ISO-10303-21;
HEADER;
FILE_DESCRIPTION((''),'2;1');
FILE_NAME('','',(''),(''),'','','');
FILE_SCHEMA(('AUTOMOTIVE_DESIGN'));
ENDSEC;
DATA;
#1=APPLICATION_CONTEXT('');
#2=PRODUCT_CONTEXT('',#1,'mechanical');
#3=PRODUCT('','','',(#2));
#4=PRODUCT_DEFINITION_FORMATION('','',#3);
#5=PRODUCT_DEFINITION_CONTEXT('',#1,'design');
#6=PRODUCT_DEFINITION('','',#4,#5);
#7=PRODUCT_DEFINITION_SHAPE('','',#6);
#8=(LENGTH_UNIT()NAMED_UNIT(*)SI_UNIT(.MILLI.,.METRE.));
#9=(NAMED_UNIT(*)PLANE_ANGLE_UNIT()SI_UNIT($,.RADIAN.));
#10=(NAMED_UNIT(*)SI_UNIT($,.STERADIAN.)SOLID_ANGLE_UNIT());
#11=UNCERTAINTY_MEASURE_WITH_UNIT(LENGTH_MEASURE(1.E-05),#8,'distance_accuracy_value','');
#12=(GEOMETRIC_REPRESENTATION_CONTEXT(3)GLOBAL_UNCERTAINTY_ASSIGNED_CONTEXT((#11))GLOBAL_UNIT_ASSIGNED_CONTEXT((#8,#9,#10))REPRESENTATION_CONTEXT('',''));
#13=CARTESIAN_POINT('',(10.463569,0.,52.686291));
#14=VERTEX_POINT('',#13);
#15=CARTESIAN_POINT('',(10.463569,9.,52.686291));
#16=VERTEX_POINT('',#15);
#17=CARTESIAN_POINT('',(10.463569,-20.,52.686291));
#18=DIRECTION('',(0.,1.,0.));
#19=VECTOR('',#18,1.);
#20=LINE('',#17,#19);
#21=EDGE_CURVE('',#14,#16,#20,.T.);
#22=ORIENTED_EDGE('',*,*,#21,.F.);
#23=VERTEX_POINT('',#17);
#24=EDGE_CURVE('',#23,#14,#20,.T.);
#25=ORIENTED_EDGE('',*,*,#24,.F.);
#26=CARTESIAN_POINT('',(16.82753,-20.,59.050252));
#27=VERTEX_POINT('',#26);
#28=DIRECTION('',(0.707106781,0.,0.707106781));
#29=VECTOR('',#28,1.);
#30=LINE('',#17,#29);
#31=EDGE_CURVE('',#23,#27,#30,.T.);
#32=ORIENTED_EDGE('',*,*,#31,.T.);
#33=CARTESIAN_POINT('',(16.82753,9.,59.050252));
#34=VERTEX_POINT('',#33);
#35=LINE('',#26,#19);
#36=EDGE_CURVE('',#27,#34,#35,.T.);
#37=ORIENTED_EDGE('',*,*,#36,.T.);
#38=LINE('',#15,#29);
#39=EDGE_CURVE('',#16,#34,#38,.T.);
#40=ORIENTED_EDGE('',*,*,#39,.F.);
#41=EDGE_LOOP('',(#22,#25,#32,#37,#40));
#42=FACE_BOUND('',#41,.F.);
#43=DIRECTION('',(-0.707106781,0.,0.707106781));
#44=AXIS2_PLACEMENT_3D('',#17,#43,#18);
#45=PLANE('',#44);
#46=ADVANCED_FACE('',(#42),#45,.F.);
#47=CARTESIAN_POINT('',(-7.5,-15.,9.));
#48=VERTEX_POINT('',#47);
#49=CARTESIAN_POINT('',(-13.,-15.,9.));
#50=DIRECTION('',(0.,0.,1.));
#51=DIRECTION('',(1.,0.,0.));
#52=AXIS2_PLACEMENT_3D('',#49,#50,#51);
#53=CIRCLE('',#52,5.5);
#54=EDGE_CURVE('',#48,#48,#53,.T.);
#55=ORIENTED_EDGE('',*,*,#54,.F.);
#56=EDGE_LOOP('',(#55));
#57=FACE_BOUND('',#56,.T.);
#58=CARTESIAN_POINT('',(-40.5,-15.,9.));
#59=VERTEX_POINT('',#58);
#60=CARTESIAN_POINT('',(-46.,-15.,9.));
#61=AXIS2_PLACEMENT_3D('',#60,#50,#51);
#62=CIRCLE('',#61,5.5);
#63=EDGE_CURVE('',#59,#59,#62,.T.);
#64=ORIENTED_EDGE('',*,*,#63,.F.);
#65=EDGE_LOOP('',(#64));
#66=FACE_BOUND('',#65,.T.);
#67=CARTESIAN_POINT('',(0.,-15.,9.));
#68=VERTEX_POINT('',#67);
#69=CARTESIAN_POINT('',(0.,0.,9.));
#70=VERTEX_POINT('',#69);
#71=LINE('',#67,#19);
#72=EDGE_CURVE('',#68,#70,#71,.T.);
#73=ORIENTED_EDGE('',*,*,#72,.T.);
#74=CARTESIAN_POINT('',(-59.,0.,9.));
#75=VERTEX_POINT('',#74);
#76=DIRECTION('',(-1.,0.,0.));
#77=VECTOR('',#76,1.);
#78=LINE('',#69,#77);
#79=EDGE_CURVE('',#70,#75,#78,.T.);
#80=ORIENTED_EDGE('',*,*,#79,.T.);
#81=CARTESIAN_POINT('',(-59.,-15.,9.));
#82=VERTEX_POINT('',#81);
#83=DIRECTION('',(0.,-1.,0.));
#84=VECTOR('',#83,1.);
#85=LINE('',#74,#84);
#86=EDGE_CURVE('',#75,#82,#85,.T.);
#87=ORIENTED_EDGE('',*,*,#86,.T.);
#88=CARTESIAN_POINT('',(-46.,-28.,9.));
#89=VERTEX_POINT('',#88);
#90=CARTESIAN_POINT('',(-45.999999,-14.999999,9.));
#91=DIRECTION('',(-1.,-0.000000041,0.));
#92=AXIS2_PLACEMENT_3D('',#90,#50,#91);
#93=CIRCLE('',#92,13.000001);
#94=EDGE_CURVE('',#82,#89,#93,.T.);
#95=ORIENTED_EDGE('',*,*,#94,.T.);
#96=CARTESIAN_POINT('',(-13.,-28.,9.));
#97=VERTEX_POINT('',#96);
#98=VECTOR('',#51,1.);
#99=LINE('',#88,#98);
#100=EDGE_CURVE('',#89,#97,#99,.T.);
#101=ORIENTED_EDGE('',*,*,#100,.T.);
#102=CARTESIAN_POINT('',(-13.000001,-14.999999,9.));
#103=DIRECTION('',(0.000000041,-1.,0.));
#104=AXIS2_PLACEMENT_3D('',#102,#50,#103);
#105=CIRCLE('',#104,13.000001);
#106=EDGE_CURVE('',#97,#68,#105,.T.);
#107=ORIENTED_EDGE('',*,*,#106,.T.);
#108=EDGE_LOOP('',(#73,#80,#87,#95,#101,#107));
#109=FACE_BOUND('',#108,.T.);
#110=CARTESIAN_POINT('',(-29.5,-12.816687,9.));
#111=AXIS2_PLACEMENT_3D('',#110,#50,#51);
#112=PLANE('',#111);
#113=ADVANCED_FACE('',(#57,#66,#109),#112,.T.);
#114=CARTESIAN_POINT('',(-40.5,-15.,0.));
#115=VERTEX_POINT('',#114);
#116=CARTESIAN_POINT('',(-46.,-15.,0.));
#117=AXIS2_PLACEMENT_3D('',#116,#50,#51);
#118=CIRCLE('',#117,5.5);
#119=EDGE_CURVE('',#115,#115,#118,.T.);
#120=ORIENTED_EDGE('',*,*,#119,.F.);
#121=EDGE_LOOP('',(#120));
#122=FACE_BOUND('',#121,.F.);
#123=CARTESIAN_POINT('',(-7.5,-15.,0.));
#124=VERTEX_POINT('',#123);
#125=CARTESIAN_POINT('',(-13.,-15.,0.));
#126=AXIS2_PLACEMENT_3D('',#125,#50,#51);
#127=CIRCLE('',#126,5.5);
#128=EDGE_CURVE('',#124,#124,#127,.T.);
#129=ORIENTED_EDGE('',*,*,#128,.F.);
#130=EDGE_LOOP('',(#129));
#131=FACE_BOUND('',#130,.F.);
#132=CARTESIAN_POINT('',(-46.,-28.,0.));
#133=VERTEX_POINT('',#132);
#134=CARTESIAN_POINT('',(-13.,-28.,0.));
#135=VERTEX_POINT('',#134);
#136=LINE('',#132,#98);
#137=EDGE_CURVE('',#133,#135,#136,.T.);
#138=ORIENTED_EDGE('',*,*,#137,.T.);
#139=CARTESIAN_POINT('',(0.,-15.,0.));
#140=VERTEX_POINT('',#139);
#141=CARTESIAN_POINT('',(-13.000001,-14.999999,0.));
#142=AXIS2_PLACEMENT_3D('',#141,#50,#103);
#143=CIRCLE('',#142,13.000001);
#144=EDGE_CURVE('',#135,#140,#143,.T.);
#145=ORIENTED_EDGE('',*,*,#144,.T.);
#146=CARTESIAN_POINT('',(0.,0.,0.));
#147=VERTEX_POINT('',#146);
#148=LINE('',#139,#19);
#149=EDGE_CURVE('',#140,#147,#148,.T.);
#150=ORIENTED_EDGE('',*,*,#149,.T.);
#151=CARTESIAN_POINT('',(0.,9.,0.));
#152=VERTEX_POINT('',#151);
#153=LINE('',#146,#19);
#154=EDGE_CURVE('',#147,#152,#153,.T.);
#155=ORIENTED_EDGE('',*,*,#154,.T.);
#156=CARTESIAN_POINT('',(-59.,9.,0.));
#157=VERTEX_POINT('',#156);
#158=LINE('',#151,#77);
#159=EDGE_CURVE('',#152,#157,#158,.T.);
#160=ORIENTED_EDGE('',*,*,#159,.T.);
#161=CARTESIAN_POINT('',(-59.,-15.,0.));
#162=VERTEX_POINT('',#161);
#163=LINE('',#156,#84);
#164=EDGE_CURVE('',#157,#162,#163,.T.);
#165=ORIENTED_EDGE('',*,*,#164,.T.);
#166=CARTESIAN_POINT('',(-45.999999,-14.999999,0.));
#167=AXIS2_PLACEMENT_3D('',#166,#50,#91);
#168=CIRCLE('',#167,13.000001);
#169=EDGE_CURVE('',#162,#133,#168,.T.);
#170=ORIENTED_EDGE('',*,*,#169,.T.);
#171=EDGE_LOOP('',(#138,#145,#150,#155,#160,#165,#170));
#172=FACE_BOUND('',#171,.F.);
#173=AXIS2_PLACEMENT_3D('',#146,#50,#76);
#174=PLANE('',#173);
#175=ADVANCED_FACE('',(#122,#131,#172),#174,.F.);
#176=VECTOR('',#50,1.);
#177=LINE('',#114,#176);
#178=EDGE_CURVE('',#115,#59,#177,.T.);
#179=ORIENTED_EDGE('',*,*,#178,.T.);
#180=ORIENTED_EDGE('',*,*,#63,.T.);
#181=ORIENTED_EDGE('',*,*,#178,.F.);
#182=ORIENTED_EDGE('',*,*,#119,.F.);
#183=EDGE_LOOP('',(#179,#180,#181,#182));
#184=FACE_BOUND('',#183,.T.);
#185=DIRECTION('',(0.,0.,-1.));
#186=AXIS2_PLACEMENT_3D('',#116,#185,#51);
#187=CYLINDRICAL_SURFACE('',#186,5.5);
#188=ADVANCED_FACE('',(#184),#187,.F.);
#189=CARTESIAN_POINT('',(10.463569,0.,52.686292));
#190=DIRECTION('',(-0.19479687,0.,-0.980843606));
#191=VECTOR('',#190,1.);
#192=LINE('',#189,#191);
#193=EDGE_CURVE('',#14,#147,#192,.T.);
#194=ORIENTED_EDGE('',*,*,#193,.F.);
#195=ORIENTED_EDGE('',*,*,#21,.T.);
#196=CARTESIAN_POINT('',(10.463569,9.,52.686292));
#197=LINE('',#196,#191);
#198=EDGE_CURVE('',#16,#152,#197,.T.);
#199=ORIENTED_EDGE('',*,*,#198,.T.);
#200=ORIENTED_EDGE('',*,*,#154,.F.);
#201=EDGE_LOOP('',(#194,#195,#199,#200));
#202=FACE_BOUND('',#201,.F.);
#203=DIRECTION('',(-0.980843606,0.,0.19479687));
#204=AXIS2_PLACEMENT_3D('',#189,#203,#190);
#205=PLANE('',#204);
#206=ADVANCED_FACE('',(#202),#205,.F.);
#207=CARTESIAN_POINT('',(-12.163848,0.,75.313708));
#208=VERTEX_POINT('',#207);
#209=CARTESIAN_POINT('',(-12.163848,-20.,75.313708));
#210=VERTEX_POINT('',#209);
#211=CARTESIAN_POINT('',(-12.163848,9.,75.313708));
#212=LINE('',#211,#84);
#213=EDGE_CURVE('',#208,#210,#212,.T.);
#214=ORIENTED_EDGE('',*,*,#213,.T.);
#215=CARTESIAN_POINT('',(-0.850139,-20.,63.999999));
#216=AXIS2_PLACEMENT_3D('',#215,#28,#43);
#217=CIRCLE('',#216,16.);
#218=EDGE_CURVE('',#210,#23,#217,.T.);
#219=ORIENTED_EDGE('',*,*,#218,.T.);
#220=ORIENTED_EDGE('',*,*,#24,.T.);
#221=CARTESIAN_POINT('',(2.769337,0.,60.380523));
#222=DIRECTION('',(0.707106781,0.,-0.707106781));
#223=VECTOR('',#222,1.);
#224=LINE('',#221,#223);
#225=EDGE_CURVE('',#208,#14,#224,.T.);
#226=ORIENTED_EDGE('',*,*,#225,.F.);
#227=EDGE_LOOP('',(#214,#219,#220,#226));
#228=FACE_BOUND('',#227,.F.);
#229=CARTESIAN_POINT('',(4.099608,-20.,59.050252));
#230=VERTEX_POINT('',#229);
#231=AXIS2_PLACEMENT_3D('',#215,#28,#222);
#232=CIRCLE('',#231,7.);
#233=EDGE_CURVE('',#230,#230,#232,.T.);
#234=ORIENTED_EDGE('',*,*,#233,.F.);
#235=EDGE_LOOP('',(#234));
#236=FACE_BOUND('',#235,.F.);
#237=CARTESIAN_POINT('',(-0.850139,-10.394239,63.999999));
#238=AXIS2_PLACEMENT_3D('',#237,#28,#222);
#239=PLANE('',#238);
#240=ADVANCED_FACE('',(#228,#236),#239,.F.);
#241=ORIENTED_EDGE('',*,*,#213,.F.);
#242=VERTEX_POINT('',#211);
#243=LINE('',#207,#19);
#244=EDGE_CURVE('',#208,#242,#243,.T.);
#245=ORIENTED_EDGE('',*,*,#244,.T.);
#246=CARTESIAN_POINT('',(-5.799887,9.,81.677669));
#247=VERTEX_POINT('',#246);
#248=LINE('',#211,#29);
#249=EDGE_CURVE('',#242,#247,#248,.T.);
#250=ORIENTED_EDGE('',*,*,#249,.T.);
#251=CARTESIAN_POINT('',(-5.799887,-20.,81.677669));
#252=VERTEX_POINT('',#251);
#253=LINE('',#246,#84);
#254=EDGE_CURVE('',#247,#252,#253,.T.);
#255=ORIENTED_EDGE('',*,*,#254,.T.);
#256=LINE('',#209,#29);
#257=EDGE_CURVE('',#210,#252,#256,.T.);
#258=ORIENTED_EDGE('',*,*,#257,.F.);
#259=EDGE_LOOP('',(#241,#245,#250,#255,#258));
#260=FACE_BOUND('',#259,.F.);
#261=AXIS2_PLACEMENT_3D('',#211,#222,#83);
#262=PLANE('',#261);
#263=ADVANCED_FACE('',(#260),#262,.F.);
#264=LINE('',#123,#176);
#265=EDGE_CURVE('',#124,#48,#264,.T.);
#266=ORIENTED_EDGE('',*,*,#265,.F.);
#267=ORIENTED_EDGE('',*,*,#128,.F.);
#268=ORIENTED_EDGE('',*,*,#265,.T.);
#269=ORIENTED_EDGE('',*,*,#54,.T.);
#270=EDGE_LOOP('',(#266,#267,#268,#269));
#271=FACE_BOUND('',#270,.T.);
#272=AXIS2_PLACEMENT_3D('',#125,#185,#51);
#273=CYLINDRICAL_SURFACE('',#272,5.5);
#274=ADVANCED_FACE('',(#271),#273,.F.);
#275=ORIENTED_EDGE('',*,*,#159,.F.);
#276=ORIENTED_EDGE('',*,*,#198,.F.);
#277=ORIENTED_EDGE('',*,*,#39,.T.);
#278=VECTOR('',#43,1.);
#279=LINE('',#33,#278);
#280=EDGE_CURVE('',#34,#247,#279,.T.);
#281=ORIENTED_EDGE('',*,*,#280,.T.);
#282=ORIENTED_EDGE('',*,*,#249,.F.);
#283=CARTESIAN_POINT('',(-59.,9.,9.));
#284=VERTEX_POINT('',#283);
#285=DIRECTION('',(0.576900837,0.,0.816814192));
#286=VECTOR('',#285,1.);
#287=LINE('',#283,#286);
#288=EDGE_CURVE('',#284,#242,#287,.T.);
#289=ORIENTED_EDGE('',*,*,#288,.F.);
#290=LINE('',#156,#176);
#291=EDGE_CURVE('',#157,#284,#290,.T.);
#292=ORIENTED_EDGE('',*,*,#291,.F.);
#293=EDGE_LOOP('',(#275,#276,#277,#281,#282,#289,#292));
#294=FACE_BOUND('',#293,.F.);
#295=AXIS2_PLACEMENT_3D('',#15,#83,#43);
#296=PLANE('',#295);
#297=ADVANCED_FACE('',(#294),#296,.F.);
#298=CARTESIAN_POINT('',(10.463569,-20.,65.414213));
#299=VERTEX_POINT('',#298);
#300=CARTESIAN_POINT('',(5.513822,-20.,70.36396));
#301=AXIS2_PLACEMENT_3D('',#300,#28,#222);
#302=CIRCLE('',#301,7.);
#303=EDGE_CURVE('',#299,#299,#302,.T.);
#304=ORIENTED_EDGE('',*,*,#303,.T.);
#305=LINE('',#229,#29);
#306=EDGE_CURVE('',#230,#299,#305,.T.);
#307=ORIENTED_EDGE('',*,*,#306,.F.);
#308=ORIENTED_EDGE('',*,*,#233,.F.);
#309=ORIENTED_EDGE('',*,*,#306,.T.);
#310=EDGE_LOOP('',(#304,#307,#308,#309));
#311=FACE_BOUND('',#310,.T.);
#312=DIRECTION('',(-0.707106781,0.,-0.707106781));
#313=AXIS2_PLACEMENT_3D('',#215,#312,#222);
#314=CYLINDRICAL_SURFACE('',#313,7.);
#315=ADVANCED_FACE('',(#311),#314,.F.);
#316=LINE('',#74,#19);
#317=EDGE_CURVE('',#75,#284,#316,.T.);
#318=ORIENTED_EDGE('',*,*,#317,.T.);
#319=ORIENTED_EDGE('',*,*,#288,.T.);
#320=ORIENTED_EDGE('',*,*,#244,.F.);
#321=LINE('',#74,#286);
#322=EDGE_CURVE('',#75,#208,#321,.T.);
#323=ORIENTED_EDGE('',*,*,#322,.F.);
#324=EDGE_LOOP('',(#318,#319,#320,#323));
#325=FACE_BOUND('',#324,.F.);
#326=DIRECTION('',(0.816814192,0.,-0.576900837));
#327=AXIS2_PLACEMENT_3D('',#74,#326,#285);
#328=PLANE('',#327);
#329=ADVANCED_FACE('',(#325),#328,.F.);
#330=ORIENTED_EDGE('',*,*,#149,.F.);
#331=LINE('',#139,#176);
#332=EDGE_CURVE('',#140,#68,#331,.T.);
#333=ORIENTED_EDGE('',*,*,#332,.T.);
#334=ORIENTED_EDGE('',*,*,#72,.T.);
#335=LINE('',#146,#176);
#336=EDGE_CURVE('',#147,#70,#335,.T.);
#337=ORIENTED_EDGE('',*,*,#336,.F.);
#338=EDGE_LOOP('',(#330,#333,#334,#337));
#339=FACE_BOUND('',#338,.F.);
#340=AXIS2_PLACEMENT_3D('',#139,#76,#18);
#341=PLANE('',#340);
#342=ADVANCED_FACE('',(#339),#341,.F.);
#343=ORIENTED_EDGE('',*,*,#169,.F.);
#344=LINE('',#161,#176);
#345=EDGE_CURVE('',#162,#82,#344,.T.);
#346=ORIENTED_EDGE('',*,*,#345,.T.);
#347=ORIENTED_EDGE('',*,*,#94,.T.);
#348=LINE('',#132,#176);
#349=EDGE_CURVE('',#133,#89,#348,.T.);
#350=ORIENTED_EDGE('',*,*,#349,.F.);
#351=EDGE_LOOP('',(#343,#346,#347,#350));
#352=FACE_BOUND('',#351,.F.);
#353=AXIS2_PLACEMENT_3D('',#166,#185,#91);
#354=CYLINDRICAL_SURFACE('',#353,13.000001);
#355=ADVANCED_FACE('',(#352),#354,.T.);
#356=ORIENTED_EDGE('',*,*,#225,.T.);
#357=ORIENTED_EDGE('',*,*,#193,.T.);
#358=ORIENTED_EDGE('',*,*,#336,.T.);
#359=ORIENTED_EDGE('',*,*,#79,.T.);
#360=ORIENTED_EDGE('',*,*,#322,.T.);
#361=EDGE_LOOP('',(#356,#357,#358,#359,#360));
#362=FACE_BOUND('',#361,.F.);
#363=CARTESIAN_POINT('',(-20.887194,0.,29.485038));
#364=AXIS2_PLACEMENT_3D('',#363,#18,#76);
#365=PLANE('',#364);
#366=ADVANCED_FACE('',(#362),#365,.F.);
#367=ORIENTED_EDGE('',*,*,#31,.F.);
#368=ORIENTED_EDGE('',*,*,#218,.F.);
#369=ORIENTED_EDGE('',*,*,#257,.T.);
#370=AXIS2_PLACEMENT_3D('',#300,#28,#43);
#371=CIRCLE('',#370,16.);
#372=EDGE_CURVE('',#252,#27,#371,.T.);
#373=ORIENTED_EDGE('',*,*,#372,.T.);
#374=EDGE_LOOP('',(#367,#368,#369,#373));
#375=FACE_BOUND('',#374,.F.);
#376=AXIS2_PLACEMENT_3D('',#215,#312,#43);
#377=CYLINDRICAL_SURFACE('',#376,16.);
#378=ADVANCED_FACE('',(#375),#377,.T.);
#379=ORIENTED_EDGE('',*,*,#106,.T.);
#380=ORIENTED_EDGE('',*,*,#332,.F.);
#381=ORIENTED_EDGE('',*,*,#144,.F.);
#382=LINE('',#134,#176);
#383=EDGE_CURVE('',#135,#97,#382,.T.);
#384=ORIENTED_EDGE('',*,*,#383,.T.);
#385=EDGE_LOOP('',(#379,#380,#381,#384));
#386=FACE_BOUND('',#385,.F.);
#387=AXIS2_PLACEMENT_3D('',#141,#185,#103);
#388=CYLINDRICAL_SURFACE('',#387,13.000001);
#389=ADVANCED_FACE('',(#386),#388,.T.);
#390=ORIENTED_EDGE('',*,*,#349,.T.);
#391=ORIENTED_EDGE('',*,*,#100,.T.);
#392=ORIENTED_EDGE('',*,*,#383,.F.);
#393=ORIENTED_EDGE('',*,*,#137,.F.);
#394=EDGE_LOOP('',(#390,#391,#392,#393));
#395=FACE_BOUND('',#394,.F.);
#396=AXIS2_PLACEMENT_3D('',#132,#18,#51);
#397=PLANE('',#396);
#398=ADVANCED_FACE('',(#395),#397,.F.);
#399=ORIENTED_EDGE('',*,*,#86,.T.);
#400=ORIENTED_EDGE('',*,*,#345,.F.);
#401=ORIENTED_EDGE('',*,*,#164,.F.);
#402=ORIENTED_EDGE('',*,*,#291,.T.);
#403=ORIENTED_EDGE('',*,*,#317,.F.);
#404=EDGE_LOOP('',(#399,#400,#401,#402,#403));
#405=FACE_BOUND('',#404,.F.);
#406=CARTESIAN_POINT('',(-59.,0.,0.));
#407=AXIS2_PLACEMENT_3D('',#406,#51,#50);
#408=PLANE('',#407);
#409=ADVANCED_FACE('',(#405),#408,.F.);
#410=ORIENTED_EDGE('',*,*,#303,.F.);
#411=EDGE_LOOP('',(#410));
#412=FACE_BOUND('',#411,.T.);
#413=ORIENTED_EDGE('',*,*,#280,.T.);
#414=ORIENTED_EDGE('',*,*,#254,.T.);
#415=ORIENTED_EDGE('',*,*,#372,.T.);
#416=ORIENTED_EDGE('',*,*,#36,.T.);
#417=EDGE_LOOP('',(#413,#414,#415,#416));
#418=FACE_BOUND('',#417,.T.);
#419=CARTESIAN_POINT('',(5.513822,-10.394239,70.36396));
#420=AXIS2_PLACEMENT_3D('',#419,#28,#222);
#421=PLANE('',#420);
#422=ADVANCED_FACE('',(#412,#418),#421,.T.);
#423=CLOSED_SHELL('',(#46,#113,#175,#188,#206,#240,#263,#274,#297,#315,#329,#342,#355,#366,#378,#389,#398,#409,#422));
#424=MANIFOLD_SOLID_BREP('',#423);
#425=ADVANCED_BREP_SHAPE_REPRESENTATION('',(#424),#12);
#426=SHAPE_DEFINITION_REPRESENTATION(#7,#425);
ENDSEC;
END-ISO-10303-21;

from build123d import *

# Parameters (mm, degrees)
F0_R     = 5.5
F1_DEPTH = 9
F3_DEPTH = 9
F4_R     = 7
F5_DEPTH = 9


with BuildPart() as f1:
    # F0 (on Top) → F1 (new body)
    with BuildSketch(Plane.XY):
        with BuildLine():
            Line((0, -15), (0, 0))
            Line((0, 0), (-59, 0))
            Line((-59, 0), (-59, -15))
            ThreePointArc((-59, -15), (-55.192388, -24.192388), (-46, -28))
            Line((-46, -28), (-13, -28))
            ThreePointArc((-13, -28), (-3.807612, -24.192388), (0, -15))
        make_face()
        with Locations((-46, -15)):
            Circle(F0_R, mode=Mode.SUBTRACT)
        with Locations((-13, -15)):
            Circle(F0_R, mode=Mode.SUBTRACT)
    extrude(amount=F1_DEPTH)

    # F2 (on face) → F3 (join)
    with BuildSketch(Plane(origin=(0, 0, 0), x_dir=(-1, 0, 0), z_dir=(0, 1, 0))):
        Polygon((59, 0), (59, 9), (12.163848, 75.313708), (-10.463569, 52.686292), (0, 0), align=None)
    extrude(amount=F3_DEPTH)

    # F4 (on face) → F5 (join)
    with BuildSketch(Plane(origin=(31.57493, 0, 31.57493), x_dir=(0.707107, 0, -0.707107), z_dir=(0.707107, 0, 0.707107))):
        with BuildLine():
            Line((-29.855973, 9), (-61.855973, 9))
            Line((-61.855973, 9), (-61.855973, -20))
            ThreePointArc((-61.855973, -20), (-45.855973, -36), (-29.855973, -20))
            Line((-29.855973, -20), (-29.855973, 9))
        make_face()
        with Locations((-45.855973, -20)):
            Circle(F4_R, mode=Mode.SUBTRACT)
    extrude(amount=F5_DEPTH)


solid = f1.part
